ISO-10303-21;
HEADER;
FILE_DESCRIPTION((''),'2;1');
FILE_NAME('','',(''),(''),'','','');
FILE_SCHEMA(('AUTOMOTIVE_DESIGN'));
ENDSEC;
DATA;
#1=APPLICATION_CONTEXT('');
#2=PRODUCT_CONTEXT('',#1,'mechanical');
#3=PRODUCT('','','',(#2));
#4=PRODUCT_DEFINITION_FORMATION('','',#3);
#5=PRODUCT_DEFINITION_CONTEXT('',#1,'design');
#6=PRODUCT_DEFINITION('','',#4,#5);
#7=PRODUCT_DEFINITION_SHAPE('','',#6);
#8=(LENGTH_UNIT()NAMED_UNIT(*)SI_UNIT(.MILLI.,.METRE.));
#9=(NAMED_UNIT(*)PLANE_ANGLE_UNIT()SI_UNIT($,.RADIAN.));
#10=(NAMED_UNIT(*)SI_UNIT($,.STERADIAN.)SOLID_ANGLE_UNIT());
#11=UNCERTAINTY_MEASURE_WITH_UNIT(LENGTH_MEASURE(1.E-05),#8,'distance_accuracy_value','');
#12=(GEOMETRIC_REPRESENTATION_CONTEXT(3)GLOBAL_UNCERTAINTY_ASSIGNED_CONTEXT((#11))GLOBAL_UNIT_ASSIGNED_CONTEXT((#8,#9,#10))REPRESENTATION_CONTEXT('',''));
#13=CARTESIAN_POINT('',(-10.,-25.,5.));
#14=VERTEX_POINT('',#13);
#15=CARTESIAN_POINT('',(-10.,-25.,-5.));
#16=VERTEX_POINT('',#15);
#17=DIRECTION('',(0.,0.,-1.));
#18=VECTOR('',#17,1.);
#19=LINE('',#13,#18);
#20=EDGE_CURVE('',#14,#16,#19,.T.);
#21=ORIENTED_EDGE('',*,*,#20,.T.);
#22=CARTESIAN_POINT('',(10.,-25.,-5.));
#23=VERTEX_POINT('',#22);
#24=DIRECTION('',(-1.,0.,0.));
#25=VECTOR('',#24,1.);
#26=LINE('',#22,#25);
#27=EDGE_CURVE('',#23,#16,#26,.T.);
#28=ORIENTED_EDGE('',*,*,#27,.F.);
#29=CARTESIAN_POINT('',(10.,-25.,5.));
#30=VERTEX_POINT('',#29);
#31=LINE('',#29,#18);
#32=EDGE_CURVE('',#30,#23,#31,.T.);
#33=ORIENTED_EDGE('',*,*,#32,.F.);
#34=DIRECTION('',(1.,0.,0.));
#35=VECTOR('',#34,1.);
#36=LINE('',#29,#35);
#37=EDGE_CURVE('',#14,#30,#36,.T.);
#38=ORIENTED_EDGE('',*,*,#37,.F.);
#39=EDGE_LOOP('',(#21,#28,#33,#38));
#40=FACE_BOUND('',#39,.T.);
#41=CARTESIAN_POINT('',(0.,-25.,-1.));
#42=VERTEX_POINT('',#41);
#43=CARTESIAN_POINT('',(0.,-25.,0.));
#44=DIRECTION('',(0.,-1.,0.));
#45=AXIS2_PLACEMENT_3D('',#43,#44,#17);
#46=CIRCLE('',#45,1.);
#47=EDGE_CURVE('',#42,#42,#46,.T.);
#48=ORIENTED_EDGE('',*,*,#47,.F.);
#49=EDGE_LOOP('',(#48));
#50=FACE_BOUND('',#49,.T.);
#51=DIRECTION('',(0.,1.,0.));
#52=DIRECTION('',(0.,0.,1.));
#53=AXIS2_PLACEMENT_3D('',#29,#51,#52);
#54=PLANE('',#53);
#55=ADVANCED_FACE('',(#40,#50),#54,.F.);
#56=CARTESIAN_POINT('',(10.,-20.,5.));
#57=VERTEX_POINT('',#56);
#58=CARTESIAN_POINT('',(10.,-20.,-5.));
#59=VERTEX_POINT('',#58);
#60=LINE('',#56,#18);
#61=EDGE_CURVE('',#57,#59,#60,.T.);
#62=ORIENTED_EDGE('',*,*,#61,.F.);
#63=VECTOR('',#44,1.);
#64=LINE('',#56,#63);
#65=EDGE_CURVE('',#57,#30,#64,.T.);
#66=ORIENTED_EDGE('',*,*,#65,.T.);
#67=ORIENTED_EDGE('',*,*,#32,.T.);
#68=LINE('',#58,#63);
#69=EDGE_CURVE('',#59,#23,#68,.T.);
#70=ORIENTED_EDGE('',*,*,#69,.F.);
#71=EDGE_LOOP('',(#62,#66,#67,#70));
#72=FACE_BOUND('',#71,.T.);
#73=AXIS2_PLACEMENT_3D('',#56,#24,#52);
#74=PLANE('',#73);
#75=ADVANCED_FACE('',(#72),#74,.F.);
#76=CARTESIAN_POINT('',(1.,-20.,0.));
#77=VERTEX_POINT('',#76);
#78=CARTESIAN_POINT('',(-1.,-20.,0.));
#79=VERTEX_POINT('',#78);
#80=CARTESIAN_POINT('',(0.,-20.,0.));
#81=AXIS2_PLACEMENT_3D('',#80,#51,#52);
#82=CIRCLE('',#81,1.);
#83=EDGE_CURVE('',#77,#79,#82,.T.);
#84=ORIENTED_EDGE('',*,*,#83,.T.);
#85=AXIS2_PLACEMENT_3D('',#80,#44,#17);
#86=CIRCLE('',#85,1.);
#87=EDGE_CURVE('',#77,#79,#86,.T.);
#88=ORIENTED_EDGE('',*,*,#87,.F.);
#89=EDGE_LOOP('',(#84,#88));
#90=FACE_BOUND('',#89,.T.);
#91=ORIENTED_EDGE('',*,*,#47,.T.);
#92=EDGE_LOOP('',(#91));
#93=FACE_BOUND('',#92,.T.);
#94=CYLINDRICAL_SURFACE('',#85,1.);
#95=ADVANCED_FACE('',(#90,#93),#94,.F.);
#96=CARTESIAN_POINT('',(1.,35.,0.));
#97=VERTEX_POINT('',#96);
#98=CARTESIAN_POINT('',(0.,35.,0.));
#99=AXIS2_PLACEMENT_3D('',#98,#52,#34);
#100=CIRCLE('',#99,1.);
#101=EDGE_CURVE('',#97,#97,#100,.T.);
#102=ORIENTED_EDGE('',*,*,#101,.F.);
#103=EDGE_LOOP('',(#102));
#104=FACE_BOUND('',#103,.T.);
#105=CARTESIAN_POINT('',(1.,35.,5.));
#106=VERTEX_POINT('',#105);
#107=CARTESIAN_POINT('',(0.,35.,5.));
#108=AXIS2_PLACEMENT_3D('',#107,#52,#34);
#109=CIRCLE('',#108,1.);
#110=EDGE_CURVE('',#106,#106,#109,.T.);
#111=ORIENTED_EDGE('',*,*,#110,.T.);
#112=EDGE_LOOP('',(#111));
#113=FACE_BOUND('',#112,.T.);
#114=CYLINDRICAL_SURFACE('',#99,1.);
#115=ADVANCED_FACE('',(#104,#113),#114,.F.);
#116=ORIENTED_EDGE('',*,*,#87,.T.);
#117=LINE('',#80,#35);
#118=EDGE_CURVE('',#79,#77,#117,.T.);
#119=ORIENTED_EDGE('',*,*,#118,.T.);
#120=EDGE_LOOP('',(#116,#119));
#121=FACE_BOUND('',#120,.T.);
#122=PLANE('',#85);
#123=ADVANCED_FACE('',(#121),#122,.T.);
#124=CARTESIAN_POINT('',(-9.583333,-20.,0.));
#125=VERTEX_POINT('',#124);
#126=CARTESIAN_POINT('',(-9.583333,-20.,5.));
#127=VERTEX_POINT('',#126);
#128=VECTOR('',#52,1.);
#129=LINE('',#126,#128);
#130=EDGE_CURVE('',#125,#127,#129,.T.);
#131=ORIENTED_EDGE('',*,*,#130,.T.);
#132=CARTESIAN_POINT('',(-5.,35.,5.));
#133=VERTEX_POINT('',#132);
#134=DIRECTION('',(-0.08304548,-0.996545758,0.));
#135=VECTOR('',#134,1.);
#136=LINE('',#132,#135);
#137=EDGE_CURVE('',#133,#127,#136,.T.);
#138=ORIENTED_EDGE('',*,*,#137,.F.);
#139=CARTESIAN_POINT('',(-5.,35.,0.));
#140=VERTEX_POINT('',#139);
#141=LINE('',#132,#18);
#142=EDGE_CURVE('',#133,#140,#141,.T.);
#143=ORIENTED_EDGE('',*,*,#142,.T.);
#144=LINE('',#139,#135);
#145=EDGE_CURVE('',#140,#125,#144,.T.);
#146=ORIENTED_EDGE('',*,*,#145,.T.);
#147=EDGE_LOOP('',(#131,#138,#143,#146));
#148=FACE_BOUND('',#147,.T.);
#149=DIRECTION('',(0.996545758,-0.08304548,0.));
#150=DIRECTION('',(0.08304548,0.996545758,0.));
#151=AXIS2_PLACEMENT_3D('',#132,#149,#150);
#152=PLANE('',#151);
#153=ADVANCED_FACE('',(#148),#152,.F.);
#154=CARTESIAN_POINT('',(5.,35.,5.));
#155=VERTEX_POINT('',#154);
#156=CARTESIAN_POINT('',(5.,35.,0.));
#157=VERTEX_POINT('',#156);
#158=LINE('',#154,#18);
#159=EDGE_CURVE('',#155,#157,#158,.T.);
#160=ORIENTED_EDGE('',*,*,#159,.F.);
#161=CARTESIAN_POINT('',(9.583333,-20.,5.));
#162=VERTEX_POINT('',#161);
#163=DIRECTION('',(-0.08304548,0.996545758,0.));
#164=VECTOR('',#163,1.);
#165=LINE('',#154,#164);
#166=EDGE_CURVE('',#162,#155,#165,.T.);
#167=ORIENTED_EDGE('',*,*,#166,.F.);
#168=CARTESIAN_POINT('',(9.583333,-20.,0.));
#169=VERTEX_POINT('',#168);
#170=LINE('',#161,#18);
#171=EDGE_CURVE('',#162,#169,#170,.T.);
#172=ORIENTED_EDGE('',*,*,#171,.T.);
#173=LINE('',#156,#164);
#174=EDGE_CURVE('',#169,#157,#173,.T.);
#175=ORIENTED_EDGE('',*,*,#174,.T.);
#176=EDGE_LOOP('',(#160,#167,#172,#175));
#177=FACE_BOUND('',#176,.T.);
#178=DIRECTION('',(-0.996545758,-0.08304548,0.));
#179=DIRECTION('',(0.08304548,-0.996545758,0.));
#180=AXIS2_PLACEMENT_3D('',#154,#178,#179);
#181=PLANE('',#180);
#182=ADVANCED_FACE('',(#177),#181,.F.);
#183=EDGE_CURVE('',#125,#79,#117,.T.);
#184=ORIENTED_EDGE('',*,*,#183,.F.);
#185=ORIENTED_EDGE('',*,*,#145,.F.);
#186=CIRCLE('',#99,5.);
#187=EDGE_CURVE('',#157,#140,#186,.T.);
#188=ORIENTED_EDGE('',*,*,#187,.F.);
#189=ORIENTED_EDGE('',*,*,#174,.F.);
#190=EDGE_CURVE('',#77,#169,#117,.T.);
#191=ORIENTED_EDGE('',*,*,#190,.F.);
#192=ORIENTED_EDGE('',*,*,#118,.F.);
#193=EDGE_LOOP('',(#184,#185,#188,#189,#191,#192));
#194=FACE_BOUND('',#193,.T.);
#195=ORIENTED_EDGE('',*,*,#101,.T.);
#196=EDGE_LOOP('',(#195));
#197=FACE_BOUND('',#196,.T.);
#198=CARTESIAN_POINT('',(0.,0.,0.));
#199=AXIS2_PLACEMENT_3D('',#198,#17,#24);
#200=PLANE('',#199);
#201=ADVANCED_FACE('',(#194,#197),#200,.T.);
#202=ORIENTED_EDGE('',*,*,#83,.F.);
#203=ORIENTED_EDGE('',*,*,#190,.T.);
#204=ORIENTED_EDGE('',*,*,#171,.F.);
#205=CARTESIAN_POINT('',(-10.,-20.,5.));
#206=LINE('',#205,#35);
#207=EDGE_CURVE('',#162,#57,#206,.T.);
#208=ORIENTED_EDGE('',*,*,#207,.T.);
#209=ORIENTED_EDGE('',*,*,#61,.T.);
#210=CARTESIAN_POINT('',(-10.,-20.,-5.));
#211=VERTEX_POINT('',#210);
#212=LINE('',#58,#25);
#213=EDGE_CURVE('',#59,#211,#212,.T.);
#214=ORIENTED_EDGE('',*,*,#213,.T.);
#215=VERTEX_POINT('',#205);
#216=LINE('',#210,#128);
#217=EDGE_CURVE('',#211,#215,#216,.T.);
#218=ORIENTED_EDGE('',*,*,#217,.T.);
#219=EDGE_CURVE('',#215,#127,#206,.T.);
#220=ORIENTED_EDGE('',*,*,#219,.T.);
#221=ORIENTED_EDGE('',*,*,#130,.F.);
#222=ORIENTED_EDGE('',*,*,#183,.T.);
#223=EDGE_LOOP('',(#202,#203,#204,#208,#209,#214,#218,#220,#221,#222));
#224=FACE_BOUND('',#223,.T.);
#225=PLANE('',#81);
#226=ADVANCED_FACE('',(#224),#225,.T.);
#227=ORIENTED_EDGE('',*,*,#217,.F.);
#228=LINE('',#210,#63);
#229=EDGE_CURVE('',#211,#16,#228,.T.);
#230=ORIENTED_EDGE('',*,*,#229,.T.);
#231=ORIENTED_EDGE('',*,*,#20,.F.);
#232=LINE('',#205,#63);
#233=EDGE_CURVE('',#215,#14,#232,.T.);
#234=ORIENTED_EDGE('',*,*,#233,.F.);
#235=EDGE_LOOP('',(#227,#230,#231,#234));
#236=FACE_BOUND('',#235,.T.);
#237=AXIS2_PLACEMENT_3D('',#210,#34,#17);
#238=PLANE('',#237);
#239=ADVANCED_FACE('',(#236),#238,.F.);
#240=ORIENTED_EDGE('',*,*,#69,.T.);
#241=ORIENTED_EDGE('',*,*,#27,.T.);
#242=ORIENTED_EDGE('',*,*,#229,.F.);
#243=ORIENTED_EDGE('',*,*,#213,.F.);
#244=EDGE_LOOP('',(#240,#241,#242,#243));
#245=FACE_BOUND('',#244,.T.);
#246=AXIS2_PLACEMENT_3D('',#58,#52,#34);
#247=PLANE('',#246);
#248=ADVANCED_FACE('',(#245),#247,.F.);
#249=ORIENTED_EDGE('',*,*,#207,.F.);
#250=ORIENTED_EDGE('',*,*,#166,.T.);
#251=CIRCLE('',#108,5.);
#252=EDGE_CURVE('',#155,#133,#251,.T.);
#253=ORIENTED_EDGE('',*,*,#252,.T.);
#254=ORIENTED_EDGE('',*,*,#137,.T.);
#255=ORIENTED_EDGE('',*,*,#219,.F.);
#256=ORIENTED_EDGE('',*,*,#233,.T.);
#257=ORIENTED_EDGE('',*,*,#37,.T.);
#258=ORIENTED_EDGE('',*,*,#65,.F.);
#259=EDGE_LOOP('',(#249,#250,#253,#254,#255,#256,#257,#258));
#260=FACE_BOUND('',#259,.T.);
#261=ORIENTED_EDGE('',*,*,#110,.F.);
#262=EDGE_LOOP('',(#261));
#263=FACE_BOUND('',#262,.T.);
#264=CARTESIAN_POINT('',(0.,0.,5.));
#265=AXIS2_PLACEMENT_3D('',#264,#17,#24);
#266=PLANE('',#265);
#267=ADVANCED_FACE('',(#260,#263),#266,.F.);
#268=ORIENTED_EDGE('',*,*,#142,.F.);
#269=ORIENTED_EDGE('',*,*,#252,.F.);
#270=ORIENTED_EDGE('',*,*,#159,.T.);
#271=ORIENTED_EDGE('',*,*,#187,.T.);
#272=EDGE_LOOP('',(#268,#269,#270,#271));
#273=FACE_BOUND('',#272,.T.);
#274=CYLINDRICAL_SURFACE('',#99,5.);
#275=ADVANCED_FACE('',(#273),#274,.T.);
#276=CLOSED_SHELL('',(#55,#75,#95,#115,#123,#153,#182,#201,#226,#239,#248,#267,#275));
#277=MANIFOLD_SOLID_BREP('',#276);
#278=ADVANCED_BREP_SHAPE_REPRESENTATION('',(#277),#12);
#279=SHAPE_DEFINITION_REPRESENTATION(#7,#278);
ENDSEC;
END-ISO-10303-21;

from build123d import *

# Parameters (mm, degrees)
SALIENTE_EXTRUIR1_DEPTH = 5
CROQUIS2_W              = 20
CROQUIS2_H              = 10
SALIENTE_EXTRUIR2_DEPTH = 5
CROQUIS3_R              = 5
CROQUIS3_R_2            = 1
SALIENTE_EXTRUIR4_DEPTH = 5
CROQUIS5_R              = 1
CORTAR_EXTRUIR1_DEPTH   = 5
CROQUIS7_R              = 1
CORTAR_EXTRUIR2_DEPTH   = 5


with BuildPart() as part:
    # Croquis1 → Saliente-Extruir1 (new body)
    with BuildSketch(Plane.XY):
        Polygon((10, -25), (-10, -25), (-5, 35), (5, 35), align=None)
    extrude(amount=SALIENTE_EXTRUIR1_DEPTH)

    # Croquis2 → Saliente-Extruir2 (add)
    with BuildSketch(Plane(origin=(0, -25, 0), x_dir=(-1, 0, 0), z_dir=(0, -1, 0))):
        Rectangle(CROQUIS2_W, CROQUIS2_H)
    extrude(amount=-SALIENTE_EXTRUIR2_DEPTH)

    # Croquis3 → Saliente-Extruir4 (add)
    with BuildSketch(Plane.XY.offset(5)):
        with Locations((0, 35)):
            Circle(CROQUIS3_R)
        with Locations((0, 35)):
            Circle(CROQUIS3_R_2, mode=Mode.SUBTRACT)
    extrude(amount=-SALIENTE_EXTRUIR4_DEPTH)

    # Croquis5 → Cortar-Extruir1 (cut)
    with BuildSketch(Plane.XY.offset(5)):
        with Locations((0, 35)):
            Circle(CROQUIS5_R)
    extrude(amount=-CORTAR_EXTRUIR1_DEPTH, mode=Mode.SUBTRACT)

    # Croquis7 → Cortar-Extruir2 (cut)
    with BuildSketch(Plane.XZ.offset(25)):
        with Locations(Location((0, 0, 0), (0, 0, 270))):
            Circle(CROQUIS7_R)
    extrude(amount=-CORTAR_EXTRUIR2_DEPTH, mode=Mode.SUBTRACT)


solid = part.part
